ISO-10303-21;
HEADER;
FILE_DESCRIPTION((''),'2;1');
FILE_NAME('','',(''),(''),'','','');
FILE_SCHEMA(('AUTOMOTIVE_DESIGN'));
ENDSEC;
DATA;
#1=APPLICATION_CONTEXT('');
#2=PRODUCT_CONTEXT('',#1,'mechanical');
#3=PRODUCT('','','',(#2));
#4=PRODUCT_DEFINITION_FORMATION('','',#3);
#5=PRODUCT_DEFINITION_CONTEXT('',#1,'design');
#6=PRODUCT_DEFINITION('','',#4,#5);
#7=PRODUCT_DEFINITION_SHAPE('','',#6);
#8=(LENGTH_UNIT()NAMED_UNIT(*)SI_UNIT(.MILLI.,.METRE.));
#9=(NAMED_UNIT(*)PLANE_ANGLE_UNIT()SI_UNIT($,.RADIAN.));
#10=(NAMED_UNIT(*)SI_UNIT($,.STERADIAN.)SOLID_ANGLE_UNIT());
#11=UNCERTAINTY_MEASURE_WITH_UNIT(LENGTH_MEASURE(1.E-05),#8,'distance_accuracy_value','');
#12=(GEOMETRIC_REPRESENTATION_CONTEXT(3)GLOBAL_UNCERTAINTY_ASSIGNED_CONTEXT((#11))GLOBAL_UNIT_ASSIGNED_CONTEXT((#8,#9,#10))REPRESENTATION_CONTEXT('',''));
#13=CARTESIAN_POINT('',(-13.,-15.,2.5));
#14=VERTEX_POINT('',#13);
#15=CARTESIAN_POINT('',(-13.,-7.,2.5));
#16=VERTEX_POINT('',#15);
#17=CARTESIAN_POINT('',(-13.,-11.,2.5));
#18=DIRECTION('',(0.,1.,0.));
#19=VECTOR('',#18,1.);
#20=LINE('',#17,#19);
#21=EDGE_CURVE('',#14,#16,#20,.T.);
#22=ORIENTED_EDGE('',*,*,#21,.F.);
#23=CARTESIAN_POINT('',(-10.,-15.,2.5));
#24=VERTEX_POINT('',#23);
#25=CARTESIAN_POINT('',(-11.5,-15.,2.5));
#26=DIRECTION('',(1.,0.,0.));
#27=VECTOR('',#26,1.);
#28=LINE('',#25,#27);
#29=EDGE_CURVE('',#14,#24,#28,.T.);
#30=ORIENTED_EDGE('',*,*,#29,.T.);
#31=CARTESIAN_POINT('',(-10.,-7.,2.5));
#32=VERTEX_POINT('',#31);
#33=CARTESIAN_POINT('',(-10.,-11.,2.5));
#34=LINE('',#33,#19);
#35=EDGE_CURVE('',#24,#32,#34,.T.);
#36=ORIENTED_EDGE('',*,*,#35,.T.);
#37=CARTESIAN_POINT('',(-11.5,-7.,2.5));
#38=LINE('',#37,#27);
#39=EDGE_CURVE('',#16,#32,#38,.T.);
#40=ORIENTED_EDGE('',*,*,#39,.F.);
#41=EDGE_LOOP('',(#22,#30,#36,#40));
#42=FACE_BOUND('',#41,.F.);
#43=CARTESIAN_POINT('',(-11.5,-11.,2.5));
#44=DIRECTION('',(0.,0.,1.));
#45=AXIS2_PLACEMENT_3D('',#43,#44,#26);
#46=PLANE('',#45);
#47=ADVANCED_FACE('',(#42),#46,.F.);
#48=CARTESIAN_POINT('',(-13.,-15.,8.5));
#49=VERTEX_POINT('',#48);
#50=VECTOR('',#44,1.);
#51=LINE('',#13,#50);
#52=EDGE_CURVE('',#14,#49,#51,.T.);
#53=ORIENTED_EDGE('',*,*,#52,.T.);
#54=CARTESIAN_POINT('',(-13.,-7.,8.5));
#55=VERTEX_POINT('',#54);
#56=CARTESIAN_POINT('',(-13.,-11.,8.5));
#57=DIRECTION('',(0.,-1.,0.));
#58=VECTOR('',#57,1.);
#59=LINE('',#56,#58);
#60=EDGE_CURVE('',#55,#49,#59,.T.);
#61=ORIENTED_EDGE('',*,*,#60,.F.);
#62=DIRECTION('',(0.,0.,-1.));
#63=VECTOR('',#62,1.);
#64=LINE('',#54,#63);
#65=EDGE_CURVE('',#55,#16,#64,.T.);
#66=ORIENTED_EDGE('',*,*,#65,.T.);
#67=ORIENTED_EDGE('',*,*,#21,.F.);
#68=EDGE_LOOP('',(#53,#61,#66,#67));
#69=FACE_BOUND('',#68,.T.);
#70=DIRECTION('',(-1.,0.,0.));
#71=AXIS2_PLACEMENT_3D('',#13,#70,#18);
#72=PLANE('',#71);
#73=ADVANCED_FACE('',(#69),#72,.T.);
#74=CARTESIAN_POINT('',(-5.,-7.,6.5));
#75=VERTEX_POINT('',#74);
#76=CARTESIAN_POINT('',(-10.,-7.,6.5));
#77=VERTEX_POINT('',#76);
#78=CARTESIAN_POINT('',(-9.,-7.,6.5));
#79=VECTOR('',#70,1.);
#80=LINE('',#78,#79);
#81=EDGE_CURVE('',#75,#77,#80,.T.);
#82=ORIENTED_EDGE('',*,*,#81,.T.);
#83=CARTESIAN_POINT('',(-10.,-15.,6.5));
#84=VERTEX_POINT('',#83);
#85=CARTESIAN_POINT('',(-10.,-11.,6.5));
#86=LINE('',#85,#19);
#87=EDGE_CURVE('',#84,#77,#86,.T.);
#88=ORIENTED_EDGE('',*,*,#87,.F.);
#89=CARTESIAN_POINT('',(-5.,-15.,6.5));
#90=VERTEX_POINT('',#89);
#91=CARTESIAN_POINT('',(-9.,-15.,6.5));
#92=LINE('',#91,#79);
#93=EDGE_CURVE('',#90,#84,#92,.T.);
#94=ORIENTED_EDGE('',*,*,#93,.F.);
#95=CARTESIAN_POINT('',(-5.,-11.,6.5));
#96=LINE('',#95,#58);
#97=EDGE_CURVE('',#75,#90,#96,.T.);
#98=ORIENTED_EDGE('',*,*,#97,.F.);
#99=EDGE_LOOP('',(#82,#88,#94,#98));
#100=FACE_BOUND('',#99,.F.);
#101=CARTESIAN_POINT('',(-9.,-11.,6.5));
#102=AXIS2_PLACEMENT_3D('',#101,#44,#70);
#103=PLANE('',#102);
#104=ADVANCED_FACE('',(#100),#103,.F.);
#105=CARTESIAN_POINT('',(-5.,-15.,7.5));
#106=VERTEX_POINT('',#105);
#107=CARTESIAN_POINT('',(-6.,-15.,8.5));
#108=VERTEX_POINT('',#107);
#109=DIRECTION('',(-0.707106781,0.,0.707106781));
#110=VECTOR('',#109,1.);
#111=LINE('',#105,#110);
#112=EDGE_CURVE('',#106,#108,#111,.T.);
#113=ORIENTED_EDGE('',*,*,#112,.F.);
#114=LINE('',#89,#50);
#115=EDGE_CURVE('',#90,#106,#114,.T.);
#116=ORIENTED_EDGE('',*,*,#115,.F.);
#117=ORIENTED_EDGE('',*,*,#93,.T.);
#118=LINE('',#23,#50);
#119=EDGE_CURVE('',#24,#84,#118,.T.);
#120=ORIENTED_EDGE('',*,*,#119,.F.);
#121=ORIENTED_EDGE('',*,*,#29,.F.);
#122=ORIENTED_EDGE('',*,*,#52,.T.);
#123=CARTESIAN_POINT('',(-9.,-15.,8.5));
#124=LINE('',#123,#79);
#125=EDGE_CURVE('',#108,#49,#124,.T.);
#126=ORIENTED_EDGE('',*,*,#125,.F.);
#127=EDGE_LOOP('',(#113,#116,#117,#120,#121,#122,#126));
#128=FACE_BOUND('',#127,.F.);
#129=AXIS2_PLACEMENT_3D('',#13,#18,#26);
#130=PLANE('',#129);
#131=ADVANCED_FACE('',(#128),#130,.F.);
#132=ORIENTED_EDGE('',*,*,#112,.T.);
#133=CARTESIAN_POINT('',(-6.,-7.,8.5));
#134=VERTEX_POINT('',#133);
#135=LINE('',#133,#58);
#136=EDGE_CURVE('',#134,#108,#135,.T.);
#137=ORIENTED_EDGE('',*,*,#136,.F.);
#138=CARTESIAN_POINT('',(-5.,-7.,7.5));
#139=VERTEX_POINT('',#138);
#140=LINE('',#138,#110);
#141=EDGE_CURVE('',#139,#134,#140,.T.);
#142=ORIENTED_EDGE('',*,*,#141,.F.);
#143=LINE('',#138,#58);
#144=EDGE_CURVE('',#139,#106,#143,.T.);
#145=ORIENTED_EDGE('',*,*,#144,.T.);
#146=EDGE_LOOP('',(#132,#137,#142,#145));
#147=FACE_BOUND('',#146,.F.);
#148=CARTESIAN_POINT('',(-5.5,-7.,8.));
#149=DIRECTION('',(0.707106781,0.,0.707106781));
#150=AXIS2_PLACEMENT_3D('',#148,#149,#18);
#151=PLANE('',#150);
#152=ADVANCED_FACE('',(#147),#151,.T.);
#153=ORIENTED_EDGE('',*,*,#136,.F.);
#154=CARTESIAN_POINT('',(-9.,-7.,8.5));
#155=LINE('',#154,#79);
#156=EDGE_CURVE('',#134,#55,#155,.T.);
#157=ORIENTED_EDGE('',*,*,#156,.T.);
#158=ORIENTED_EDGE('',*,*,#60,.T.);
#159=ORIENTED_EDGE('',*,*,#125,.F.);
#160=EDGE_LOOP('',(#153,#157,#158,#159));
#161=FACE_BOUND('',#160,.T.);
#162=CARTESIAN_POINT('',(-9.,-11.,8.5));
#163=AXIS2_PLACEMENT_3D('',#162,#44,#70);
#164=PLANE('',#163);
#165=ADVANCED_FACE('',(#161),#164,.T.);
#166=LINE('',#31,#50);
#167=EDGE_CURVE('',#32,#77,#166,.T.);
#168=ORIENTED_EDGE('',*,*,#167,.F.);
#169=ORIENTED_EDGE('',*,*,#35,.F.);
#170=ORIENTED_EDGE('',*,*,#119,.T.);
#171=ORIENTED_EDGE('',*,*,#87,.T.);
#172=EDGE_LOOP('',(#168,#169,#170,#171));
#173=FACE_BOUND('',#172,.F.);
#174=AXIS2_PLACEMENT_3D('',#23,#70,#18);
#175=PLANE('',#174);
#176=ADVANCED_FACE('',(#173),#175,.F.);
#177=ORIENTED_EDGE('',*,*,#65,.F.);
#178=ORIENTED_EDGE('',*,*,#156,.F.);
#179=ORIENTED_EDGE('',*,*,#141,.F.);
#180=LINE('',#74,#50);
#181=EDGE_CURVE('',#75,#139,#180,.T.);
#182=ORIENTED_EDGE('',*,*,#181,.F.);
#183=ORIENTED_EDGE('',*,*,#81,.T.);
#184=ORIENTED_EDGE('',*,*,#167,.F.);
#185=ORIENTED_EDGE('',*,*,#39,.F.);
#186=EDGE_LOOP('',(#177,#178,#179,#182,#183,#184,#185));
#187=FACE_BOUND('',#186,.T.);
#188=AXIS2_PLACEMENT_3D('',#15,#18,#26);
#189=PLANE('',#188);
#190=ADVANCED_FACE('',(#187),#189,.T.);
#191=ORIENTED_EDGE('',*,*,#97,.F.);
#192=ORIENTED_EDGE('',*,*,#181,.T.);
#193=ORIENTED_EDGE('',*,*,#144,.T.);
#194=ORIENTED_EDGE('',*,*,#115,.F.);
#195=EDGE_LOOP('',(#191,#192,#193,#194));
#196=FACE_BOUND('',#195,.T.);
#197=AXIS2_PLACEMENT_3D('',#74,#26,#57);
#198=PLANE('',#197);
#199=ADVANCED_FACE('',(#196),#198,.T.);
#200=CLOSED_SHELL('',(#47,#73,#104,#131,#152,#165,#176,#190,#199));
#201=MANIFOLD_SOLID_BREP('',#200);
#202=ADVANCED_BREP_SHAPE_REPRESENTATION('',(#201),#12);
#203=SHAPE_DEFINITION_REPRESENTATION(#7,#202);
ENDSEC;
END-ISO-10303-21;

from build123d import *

# Parameters (mm, degrees)
BOX036_W                = 3
BOX036_H                = 8
BOX036_DEPTH            = 4
BOX035_W                = 8
BOX035_H                = 8
BOX035_DEPTH            = 2
CHAMFER_SIZE            = 1
CHAMFER_PLACEMENT_ANGLE = 180


with BuildPart() as cubo036:
    # Box036 → Box036 (new body)
    with BuildSketch(Plane(origin=(-13, -15, 2.5), x_dir=(1, 0, 0), z_dir=(0, 0, 1))):
        with Locations((1.5, 4)):
            Rectangle(BOX036_W, BOX036_H)
    extrude(amount=BOX036_DEPTH)


with BuildPart() as fusion002021:
    # Box035 → Box035 (new body)
    with BuildSketch(Plane(origin=(-13, -15, 6), x_dir=(1, 0, 0), z_dir=(0, 0, 1))):
        with Locations((4, 4)):
            Rectangle(BOX035_W, BOX035_H)
    extrude(amount=BOX035_DEPTH)

    # Chamfer
    chamfer_edges = [fusion002021.edges().sort_by_distance(p)[0] for p in [
        (-13, -11, 8),
    ]]
    chamfer(chamfer_edges, length=CHAMFER_SIZE)


with BuildPart() as fusion002021_1:
    # Chamfer placement: moved
    add(fusion002021.part.moved(Location((-18, -22, 0.5))).rotate(Axis((-18, -22, 0.5), (0, 0, 1)), CHAMFER_PLACEMENT_ANGLE))

    # Fusion002021: union Cubo036
    add(cubo036.part)


solid = fusion002021_1.part
